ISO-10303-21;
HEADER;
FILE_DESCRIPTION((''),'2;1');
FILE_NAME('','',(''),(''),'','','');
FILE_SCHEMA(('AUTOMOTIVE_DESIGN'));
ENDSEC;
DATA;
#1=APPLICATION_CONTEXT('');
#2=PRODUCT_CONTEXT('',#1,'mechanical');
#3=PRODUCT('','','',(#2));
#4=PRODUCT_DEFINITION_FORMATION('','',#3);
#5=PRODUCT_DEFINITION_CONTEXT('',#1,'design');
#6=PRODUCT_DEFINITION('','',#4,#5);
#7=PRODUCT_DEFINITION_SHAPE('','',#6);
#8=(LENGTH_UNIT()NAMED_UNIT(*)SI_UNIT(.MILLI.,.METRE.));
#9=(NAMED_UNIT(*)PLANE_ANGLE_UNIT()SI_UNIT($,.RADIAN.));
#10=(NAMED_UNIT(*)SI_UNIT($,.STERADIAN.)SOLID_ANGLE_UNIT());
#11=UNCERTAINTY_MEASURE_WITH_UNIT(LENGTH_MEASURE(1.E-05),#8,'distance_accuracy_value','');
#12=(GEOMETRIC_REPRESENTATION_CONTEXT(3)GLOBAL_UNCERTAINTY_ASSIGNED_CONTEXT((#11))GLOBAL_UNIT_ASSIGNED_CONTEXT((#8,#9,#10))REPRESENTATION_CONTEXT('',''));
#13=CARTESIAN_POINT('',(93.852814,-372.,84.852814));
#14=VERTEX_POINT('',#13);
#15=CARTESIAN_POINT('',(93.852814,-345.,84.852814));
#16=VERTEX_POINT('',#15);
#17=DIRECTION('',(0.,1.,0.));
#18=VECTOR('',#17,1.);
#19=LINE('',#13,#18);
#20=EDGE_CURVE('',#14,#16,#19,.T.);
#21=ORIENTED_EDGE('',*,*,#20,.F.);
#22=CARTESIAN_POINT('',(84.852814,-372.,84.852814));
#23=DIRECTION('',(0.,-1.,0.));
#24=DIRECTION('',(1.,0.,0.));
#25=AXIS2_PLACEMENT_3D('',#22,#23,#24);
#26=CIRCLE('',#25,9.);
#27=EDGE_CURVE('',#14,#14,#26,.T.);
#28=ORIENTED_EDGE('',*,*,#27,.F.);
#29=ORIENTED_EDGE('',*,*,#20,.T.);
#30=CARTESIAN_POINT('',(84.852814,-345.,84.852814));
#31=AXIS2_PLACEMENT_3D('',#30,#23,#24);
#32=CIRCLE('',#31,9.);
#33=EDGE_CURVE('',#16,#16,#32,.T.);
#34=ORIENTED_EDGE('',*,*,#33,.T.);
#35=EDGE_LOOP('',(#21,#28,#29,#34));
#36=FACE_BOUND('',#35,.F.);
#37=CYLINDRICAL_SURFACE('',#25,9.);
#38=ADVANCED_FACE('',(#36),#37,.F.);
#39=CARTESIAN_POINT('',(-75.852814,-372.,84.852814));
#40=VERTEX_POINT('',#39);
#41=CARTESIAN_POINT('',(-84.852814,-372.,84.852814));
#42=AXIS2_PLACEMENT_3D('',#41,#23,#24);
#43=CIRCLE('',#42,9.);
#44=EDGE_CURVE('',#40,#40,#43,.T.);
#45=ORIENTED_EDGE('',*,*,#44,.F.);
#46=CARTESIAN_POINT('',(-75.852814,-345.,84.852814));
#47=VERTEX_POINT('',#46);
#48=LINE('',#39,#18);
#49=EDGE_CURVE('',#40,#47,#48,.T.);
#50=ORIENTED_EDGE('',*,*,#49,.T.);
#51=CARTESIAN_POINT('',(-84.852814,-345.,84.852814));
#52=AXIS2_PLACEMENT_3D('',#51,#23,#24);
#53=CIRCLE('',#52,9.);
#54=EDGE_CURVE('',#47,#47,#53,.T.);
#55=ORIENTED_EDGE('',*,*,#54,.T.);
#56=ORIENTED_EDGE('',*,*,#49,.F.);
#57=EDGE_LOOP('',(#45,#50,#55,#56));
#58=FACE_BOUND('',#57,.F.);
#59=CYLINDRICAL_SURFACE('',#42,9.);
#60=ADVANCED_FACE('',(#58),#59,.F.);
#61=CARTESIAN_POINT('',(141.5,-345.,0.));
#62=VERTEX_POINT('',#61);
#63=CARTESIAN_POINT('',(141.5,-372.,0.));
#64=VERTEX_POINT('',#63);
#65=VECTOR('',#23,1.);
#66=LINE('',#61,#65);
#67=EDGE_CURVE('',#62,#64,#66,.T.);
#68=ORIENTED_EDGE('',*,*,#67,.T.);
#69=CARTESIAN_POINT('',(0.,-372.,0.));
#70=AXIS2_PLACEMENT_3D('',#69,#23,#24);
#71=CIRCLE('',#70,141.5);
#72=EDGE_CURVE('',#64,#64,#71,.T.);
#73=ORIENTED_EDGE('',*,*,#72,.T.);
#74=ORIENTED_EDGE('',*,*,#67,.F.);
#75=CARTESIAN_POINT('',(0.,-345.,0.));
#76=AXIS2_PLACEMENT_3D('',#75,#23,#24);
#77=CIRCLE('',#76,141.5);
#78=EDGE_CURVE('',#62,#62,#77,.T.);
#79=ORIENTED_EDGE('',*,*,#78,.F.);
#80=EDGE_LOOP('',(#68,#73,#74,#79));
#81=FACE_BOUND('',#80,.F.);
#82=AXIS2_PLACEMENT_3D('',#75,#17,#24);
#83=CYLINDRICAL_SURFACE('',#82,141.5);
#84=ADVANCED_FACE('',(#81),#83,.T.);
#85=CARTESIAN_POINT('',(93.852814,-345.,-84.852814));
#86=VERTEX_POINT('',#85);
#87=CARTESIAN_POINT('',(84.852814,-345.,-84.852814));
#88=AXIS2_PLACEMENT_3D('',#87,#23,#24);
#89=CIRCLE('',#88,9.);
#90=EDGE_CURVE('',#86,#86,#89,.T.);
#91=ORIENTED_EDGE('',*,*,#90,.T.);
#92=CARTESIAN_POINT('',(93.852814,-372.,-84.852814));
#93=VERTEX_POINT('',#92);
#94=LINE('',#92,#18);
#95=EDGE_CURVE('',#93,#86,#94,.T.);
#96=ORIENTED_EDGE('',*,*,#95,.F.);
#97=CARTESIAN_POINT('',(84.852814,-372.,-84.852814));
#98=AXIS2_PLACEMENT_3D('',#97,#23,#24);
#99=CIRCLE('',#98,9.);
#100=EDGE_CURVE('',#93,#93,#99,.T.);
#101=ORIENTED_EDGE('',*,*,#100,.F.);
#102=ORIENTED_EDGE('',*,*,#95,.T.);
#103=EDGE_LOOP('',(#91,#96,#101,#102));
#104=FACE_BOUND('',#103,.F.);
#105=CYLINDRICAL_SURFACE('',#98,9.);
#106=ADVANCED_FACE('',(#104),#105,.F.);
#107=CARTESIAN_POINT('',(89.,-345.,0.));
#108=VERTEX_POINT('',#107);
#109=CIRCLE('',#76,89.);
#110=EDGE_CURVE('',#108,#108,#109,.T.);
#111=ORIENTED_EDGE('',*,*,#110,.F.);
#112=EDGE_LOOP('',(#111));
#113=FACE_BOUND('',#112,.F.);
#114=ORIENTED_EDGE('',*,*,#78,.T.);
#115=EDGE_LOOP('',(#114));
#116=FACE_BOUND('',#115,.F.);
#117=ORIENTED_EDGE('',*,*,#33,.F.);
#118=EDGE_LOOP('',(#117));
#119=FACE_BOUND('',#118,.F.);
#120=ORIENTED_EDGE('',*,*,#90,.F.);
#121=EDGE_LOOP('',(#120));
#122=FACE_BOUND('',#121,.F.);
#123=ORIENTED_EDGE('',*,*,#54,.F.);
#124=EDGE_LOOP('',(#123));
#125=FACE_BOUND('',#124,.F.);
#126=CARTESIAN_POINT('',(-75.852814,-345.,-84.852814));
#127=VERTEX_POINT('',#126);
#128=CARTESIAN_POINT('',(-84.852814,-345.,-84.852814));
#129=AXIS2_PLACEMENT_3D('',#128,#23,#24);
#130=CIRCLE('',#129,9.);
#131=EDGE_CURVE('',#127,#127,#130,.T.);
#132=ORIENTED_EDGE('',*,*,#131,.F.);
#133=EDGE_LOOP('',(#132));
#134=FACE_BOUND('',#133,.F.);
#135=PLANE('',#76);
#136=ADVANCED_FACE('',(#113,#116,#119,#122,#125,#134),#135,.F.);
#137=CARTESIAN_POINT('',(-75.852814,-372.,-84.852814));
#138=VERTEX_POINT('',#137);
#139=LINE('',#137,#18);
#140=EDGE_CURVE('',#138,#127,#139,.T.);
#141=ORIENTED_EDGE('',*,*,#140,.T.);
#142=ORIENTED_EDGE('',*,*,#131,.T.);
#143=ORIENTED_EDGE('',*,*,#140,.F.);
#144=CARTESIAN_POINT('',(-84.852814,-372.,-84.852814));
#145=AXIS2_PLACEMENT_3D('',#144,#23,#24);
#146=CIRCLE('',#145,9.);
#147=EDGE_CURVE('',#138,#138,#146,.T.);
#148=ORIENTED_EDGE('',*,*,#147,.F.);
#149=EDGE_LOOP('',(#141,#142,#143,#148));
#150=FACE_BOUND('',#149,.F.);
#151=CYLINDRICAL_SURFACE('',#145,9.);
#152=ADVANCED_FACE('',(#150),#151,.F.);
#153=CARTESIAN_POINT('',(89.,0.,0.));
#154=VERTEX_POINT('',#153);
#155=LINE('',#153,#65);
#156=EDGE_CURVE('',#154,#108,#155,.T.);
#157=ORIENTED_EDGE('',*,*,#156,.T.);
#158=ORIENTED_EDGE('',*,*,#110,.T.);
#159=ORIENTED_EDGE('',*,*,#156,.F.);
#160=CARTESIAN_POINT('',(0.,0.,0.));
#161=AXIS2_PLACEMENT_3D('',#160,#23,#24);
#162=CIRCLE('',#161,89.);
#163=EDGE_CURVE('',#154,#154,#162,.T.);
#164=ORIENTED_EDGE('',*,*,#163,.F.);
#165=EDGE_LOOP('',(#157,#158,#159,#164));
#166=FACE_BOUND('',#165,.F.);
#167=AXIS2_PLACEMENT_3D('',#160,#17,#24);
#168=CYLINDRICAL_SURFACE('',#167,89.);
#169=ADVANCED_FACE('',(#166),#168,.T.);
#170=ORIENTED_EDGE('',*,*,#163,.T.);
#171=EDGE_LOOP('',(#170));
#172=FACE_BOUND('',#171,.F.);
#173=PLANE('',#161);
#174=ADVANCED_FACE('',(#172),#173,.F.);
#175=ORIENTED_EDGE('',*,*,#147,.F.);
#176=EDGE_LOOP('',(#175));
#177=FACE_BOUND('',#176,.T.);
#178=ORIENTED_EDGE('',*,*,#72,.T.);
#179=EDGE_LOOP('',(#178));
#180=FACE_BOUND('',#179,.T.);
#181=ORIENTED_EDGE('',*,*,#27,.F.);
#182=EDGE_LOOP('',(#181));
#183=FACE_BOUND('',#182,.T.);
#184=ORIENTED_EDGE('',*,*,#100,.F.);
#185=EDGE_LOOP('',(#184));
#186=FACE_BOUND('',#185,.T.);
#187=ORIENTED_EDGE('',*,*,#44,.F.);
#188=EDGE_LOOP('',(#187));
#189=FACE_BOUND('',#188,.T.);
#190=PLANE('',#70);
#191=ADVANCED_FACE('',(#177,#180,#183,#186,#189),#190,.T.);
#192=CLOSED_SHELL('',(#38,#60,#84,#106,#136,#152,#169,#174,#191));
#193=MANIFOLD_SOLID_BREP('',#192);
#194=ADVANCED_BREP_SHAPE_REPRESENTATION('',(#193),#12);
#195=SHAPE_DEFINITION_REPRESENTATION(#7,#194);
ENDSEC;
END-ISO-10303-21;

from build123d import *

# Parameters (mm, degrees)
F0_R     = 89
F1_DEPTH = 345
F2_R     = 141.5
F3_DEPTH = 27
F4_R     = 9
F5_DEPTH = 372.001


with BuildPart() as f1:
    # F0 (on Front) → F1 (new body)
    with BuildSketch(Plane.XZ):
        Circle(F0_R)
    extrude(amount=F1_DEPTH)

    # F2 (on face) → F3 (join)
    with BuildSketch(Plane.XZ.offset(345)):
        Circle(F2_R)
    extrude(amount=F3_DEPTH)

    # F4 (on face) → F5 (cut, through all)
    with BuildSketch(Plane.XZ.offset(372)):
        with Locations((-84.852814, 84.852814)):
            Circle(F4_R)
        with Locations((-84.852814, -84.852814)):
            Circle(F4_R)
        with Locations((84.852814, -84.852814)):
            Circle(F4_R)
        with Locations((84.852814, 84.852814)):
            Circle(F4_R)
    extrude(amount=-F5_DEPTH, mode=Mode.SUBTRACT)


solid = f1.part
